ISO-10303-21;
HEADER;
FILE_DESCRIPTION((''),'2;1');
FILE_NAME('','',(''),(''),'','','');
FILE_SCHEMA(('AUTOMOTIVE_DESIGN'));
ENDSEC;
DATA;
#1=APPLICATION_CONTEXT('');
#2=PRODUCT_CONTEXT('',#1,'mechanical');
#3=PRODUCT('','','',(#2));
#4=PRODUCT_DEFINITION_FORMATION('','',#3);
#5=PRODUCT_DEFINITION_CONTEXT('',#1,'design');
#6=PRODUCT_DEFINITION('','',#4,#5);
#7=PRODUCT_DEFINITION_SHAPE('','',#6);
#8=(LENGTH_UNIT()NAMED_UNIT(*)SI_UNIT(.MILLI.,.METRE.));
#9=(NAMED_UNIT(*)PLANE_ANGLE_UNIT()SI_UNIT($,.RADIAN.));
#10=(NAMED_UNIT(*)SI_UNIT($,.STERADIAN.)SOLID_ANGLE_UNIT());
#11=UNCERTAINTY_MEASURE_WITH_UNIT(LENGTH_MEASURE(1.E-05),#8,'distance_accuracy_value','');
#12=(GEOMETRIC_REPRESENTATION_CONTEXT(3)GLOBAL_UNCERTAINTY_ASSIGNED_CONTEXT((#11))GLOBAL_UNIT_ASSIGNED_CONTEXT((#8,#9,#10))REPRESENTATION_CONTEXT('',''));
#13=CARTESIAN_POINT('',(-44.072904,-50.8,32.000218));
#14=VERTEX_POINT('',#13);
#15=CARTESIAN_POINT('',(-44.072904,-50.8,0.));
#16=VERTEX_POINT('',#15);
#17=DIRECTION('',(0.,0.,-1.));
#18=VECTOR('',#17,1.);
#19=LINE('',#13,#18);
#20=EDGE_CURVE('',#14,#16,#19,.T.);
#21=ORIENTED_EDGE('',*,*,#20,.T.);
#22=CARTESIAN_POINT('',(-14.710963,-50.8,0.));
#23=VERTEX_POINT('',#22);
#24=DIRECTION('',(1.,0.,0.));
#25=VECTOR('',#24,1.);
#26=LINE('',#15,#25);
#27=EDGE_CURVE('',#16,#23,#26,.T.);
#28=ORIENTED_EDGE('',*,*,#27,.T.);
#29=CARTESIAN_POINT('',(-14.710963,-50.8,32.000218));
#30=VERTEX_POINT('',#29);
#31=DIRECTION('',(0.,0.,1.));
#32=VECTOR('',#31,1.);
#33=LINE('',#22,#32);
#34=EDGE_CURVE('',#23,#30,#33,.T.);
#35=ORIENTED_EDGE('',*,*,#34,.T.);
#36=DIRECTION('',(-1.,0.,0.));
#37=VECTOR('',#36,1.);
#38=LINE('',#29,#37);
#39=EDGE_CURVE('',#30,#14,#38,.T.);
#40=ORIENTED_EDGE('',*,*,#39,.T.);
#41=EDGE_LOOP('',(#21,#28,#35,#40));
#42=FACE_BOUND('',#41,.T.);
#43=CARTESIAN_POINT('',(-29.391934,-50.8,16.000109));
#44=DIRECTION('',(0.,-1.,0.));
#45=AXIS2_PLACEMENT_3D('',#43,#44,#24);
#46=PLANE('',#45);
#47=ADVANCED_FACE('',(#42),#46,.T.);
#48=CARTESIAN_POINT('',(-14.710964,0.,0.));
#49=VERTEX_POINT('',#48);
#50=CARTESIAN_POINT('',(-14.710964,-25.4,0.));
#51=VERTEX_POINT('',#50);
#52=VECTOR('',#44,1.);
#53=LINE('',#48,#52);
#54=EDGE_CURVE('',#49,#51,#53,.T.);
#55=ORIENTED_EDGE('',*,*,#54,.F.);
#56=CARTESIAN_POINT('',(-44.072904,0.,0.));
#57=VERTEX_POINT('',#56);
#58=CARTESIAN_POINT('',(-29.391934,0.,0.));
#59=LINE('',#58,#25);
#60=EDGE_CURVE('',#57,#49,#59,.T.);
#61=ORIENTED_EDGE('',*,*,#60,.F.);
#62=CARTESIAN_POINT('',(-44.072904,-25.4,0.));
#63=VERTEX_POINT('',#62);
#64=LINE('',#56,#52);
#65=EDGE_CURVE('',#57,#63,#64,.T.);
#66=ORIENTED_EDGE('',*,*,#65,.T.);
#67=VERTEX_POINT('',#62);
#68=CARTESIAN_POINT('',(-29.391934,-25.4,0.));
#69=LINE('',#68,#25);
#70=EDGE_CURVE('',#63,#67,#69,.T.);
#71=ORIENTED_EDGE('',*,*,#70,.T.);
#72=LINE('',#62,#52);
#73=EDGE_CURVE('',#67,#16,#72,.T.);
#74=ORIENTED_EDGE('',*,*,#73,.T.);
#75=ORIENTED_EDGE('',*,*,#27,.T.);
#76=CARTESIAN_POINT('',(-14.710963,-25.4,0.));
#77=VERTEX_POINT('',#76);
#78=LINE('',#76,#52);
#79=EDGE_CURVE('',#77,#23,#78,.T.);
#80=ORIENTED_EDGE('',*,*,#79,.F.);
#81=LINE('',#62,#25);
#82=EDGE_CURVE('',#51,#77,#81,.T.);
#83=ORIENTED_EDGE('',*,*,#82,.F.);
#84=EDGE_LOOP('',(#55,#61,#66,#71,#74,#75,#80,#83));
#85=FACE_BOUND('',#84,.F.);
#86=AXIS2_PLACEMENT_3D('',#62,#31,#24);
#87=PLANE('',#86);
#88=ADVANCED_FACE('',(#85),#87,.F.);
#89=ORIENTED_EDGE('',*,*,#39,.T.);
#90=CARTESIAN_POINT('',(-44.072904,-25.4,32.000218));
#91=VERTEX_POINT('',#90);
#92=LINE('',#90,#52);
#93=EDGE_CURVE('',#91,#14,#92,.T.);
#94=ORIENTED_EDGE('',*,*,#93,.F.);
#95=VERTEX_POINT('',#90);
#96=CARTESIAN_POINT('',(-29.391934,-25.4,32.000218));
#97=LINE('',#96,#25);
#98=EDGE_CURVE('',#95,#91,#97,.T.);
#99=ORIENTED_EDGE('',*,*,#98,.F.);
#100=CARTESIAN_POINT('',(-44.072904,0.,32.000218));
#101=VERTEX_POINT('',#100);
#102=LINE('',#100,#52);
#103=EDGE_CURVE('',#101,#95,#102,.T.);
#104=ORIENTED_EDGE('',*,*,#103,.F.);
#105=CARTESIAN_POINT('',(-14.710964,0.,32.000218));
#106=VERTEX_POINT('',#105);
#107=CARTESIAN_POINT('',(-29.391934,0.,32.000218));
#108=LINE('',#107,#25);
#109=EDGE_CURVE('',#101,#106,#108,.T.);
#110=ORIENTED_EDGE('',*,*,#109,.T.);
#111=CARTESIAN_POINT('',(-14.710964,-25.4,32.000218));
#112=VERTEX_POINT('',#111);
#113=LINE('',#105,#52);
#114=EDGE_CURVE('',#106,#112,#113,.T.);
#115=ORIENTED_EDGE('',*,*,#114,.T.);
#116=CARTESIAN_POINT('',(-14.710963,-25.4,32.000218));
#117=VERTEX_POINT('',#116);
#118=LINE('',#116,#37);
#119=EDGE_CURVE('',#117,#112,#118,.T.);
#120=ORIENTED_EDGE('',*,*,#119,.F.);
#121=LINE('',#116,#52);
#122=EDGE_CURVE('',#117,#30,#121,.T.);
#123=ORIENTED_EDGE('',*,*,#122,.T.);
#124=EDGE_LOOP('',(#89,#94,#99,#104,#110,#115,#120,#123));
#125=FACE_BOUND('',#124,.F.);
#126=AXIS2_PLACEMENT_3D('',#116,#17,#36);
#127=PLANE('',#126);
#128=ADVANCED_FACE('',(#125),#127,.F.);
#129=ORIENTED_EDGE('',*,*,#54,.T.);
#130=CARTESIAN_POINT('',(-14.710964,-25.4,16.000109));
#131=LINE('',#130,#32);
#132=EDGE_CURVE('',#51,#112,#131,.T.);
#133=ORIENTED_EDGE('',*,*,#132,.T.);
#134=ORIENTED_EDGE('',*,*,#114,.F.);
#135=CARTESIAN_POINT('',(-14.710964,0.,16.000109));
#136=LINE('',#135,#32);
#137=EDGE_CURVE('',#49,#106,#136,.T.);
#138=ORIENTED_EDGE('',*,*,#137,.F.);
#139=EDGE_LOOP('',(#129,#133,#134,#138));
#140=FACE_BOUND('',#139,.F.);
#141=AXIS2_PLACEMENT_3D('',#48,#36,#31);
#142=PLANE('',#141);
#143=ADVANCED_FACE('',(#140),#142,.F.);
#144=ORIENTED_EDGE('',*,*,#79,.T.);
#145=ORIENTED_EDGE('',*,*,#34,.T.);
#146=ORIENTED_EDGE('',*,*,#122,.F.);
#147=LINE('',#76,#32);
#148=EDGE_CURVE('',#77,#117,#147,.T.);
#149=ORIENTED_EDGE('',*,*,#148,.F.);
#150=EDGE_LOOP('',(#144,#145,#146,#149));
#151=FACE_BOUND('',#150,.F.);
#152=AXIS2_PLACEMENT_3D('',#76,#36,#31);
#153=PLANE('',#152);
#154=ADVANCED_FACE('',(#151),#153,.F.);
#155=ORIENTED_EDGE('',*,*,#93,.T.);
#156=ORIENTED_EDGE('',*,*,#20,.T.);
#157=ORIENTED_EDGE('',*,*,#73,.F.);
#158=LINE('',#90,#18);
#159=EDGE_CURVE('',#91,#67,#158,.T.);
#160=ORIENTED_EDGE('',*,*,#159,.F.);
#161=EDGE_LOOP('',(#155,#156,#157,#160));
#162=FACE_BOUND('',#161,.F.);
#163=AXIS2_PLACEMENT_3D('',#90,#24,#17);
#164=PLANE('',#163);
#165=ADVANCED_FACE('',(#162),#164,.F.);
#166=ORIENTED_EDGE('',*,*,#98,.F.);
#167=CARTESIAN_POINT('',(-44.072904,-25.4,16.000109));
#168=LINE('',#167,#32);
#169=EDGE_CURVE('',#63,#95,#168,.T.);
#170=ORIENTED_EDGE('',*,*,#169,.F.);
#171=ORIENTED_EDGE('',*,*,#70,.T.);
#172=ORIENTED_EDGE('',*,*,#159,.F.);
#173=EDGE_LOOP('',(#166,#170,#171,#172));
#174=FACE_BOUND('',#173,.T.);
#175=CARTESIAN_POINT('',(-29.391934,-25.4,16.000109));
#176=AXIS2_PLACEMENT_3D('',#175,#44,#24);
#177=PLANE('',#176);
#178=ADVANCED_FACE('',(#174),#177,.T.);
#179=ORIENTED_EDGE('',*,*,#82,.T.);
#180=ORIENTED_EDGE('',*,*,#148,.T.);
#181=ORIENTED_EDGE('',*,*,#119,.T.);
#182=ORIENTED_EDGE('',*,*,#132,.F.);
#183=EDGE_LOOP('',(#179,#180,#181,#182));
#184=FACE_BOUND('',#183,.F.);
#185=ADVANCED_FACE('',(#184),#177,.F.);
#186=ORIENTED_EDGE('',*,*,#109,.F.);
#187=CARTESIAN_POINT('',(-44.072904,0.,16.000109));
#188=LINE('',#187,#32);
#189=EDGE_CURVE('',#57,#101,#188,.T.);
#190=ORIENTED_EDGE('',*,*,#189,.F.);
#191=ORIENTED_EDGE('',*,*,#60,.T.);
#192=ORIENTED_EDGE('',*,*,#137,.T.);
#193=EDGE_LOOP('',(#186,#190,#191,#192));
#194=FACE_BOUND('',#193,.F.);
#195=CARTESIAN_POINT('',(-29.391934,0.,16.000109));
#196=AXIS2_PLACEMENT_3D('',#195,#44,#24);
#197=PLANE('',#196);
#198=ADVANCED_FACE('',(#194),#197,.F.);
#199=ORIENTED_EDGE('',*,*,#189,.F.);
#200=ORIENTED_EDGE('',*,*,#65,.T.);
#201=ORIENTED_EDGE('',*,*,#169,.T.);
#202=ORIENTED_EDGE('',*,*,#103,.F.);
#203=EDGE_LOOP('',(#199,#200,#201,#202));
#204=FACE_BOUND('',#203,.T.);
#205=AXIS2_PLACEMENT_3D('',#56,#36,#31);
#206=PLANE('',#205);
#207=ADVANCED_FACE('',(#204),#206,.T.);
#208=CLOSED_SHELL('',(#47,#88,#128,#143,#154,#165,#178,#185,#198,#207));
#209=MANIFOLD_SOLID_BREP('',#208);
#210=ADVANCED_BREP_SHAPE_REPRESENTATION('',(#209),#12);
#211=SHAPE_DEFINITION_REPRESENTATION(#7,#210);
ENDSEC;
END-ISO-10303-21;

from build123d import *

# Parameters (mm, degrees)
F0_W     = 29.361941
F0_H     = 32.000218
F1_DEPTH = 25.4
F3_DEPTH = 25.4


with BuildPart() as f1:
    # F0 (on Front) → F1 (new body)
    with BuildSketch(Plane.XZ):
        with Locations((-29.391934, 16.000109)):
            Rectangle(F0_W, F0_H)
    extrude(amount=F1_DEPTH)

    # F2 (on face) → F3 (join)
    with BuildSketch(Plane.XZ.offset(25.4)):
        Polygon((-14.710963, 0), (-14.710963, 32.000218), (-44.072904, 32.000218), (-44.072904, 0), (-29.391933, 0), align=None)
    extrude(amount=F3_DEPTH)


solid = f1.part
